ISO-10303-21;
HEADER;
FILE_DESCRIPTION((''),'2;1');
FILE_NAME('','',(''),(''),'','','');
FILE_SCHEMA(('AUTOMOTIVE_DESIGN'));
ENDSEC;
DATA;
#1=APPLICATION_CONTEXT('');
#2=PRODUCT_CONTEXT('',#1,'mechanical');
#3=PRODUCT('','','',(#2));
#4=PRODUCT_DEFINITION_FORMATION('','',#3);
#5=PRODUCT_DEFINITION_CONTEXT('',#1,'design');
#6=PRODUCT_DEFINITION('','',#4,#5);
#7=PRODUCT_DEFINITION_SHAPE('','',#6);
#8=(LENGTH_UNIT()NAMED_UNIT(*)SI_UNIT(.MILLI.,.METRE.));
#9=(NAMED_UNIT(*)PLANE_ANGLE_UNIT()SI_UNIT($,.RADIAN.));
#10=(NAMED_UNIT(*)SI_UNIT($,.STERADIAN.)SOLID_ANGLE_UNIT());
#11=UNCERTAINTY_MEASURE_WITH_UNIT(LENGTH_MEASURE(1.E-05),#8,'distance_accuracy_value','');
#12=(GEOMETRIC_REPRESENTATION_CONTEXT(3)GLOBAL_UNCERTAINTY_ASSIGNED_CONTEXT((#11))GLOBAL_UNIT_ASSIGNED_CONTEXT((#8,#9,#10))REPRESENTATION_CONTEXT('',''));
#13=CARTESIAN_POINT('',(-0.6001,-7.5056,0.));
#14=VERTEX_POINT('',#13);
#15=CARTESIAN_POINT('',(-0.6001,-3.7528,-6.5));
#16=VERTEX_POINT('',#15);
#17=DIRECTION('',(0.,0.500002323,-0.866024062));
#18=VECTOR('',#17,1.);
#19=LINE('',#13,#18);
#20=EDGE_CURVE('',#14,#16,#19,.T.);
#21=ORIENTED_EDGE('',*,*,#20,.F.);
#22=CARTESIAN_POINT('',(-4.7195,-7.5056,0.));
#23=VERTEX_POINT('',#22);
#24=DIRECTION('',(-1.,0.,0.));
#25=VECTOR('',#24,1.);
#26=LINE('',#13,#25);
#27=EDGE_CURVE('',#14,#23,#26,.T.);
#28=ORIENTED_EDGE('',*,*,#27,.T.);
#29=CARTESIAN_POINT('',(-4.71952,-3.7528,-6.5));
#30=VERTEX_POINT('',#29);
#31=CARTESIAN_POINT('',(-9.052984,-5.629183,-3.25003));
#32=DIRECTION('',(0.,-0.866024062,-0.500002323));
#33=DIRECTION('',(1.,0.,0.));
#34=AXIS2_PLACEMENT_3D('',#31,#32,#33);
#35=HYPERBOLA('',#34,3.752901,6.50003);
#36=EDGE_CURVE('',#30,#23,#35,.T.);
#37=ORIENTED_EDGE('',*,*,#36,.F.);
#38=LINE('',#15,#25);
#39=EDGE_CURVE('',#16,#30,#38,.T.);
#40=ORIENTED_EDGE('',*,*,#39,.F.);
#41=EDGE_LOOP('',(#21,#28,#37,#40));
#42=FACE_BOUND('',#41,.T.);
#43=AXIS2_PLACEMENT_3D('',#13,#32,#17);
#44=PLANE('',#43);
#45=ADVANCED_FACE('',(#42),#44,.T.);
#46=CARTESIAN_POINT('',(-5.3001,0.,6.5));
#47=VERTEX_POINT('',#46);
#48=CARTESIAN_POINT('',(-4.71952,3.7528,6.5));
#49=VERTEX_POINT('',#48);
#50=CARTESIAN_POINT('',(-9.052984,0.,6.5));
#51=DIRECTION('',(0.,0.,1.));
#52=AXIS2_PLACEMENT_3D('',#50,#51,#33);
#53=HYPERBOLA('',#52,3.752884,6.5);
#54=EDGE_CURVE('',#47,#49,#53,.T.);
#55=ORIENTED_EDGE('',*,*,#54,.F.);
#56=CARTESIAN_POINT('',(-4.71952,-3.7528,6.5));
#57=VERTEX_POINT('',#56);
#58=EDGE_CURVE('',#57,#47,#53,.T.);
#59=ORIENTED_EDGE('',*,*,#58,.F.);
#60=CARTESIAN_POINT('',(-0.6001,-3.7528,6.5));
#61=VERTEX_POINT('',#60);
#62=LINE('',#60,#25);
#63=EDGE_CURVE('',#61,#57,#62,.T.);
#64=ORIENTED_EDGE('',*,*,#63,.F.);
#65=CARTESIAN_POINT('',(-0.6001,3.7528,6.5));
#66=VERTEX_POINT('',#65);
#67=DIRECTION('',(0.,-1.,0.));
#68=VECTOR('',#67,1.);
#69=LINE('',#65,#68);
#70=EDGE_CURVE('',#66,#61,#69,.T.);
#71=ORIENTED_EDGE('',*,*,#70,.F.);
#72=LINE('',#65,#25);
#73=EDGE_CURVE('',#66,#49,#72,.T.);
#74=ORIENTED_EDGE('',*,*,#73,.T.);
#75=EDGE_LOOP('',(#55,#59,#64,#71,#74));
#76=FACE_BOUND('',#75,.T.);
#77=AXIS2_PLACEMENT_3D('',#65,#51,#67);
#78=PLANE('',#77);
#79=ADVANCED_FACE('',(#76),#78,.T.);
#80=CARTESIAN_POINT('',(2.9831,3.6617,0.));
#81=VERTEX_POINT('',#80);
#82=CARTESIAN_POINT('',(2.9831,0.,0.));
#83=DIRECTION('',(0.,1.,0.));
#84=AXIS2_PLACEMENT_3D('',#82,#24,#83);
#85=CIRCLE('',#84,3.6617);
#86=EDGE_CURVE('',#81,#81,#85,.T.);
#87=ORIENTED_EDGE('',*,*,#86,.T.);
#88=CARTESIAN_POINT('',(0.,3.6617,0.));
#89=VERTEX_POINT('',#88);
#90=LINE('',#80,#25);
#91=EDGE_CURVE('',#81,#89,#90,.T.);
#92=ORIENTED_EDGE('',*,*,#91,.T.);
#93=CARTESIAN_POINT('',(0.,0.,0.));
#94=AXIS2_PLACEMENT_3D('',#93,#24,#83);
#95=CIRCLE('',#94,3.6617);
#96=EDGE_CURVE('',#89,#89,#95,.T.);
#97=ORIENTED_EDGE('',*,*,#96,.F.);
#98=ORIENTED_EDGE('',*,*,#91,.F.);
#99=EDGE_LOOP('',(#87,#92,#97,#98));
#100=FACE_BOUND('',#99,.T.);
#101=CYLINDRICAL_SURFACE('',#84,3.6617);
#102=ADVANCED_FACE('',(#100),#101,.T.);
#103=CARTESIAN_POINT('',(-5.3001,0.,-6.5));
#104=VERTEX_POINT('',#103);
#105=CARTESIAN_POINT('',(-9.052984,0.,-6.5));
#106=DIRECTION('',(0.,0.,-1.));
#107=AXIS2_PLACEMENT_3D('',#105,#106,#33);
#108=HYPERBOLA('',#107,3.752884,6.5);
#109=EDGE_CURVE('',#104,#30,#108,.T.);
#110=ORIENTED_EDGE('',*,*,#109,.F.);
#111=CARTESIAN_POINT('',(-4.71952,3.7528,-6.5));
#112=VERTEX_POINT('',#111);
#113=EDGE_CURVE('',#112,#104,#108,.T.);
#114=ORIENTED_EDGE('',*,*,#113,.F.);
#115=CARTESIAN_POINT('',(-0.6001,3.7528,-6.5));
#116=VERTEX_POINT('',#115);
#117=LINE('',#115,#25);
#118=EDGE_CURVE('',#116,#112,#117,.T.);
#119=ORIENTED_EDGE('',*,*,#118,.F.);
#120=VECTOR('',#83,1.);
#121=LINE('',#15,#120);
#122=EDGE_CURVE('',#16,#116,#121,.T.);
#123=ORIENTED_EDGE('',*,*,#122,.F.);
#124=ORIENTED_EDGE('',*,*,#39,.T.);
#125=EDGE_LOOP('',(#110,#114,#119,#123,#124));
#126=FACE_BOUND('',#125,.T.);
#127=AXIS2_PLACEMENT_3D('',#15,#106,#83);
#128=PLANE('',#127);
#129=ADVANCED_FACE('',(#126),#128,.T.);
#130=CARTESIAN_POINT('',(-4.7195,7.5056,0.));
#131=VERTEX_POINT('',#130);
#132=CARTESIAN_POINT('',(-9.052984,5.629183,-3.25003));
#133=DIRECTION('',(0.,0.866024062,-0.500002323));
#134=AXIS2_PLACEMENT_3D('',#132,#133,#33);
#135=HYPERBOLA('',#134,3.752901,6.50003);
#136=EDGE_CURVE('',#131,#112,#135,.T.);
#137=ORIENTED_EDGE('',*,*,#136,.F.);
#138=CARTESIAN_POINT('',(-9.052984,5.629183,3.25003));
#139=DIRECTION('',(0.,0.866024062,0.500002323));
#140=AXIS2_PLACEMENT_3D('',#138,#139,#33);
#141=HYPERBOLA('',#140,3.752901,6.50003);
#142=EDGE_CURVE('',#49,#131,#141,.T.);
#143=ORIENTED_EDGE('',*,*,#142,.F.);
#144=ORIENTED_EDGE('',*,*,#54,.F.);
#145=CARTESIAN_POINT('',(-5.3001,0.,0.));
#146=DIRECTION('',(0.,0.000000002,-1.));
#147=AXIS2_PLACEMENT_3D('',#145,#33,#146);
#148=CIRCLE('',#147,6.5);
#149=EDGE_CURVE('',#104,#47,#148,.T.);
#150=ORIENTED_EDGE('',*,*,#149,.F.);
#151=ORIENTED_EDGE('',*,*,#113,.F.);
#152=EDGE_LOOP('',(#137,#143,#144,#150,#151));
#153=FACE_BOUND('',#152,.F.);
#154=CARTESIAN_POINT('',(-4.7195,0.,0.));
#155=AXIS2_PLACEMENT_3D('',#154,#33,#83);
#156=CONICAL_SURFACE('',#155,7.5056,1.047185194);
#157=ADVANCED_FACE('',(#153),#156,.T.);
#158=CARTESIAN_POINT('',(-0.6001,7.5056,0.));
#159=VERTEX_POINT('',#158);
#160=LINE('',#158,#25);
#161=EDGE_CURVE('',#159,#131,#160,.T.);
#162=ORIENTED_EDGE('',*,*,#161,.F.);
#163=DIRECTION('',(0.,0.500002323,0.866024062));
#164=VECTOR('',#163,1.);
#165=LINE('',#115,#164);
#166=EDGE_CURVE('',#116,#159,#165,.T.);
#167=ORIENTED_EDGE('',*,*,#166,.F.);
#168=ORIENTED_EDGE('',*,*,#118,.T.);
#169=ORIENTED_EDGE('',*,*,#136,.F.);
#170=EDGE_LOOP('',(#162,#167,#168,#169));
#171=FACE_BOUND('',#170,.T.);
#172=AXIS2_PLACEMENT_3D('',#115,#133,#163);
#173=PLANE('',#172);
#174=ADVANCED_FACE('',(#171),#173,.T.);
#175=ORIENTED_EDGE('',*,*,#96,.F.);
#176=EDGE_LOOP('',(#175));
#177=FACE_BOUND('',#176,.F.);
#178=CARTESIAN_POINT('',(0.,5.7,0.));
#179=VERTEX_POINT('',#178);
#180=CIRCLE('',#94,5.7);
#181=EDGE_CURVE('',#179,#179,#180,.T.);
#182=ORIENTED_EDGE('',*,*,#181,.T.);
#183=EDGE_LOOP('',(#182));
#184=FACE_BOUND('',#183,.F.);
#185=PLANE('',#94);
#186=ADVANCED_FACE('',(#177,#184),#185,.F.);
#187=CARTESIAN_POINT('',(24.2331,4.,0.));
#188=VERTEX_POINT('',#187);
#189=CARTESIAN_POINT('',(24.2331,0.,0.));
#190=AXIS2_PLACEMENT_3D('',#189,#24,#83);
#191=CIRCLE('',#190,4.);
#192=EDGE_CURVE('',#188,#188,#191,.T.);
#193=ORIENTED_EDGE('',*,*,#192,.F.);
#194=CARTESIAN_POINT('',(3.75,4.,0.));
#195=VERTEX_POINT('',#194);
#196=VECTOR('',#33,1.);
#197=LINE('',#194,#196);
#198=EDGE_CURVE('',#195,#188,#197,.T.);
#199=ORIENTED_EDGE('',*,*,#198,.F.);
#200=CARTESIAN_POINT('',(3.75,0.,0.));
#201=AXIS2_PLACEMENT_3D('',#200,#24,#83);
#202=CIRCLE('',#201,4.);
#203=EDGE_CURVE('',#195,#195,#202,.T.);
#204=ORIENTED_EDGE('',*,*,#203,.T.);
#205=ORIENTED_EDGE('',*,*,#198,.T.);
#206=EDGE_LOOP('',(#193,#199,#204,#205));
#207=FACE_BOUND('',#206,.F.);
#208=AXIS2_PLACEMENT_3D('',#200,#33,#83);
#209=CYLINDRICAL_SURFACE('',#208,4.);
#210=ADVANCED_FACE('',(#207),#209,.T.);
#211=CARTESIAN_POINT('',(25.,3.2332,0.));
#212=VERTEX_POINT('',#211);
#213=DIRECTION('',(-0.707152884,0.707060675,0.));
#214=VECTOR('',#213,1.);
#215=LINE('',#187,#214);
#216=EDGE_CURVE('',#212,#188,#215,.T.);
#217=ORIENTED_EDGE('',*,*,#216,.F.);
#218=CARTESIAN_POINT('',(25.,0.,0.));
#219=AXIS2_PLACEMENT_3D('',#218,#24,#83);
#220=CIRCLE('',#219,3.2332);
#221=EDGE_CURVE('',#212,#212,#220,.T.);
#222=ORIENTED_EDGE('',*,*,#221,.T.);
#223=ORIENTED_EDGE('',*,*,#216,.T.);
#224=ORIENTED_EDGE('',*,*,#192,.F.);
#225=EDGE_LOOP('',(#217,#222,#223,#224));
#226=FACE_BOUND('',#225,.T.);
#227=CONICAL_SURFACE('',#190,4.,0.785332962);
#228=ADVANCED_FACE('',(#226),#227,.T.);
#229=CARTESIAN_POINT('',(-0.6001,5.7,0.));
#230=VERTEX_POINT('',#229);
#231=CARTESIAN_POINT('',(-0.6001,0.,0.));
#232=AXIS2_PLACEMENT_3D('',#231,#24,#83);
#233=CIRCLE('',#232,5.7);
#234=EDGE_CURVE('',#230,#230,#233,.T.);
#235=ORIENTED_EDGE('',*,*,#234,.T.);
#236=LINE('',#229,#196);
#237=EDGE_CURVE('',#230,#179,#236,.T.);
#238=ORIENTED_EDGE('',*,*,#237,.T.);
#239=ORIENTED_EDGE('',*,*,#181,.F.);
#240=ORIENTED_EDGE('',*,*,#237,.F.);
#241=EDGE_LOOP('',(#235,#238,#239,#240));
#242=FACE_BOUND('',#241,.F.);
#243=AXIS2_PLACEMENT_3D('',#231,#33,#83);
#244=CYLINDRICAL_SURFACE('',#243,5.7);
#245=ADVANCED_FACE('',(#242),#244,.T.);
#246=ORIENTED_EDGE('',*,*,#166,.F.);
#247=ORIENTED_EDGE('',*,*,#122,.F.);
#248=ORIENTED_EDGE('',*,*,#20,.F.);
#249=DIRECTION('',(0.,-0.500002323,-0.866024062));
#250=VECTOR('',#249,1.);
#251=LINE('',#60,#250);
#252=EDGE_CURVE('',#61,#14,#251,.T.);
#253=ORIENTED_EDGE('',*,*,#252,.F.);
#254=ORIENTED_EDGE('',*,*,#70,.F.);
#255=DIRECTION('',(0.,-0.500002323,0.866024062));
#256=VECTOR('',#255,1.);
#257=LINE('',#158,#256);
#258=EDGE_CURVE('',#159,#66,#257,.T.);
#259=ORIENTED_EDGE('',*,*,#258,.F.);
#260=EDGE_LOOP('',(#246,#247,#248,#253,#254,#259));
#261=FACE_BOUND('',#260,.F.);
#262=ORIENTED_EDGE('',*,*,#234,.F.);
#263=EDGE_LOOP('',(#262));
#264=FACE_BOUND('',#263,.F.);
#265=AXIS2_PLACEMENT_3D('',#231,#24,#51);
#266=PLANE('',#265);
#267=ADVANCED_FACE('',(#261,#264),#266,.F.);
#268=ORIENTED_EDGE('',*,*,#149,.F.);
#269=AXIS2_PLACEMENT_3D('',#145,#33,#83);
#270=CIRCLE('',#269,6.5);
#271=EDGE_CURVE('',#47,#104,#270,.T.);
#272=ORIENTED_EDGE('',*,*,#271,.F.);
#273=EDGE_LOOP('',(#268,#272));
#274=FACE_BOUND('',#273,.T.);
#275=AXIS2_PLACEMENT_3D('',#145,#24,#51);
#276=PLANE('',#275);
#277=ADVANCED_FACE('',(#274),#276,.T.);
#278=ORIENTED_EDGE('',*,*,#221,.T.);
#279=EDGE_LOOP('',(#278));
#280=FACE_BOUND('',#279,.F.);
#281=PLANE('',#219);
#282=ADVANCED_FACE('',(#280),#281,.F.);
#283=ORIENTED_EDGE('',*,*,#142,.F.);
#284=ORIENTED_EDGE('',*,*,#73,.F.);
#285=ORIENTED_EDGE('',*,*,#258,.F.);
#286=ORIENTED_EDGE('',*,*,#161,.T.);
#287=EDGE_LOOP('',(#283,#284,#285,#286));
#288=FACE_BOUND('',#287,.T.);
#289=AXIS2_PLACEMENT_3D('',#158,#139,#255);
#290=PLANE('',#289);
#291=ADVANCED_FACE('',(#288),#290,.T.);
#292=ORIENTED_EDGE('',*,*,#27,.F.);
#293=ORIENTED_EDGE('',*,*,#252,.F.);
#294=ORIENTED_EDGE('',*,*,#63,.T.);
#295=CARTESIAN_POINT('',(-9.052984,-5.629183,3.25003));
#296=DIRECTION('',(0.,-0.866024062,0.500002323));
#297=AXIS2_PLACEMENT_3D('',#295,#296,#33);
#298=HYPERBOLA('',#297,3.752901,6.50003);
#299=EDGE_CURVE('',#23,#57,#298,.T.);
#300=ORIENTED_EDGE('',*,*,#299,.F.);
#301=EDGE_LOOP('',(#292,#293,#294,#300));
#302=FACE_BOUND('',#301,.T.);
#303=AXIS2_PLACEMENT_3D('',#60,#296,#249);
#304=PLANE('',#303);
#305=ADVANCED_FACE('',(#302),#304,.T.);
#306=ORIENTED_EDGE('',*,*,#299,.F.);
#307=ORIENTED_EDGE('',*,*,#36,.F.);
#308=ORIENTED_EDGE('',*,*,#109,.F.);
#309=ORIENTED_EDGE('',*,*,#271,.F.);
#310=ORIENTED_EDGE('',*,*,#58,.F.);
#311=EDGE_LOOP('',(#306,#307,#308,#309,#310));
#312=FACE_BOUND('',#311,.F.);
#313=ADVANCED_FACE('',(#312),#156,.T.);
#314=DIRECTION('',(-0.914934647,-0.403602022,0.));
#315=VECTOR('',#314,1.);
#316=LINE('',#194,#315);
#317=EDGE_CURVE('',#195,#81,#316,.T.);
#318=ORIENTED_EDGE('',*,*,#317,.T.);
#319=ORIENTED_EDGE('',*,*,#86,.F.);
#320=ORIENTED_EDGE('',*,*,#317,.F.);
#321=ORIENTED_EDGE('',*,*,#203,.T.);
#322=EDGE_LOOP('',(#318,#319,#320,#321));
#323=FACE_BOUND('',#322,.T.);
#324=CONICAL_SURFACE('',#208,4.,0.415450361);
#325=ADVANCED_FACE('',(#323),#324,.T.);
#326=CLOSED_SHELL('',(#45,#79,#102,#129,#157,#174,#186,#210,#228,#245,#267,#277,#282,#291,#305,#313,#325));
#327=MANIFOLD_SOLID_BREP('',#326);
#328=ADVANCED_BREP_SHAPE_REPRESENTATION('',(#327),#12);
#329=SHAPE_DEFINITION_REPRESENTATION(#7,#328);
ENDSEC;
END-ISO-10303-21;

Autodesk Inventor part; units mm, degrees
ref_plane "YZ Plane" through (0, 0, 0) normal (1, 0, 0) x (0, 1, 0)
ref_plane "XZ Plane" through (0, 0, 0) normal (0, 1, 0) x (-1, 0, 0)
ref_plane "XY Plane" through (0, 0, 0) normal (0, 0, 1) x (1, 0, 0)
sketch "Skizze1" plane through (0, 0, 0) normal (0, 0, 1) x (1, 0, 0)
  line L0 (0, 5.7) -> (0, 3.6617)
  line L1 (3.75, 4) -> (25, 4)
  line L2 (25, 4) -> (25, 0)
  line L3 (25, 0) -> (-0.6001, 0)
  line L4 (-0.4751, 0) -> (2.675, 0) projected
  line L5 (-0.6001, 0) -> (-0.6001, 5.7)
  line L6 (-0.6001, 5.7) -> (0, 5.7)
  line L7 (3.75, 4) -> (2.9831, 3.6617)
  line L8 (2.9831, 3.6617) -> (0, 3.6617)
  line L9 (0, -0.1135) -> (0, 1.4755) projected
  dimension "d0" = 25
  dimension "d1" = 21.25
  dimension "d2" = 8
  dimension "d9" = 0.6001
  dimension "d10" = 11.4
  dimension "d13" = 0.7669
  dimension "d14" = 7.3234
revolve "Körper" add sketch "Skizze1" angle 360 about axis through (25, 0, 0) along (-1, 0, 0)
sketch "Skizze2" plane through (-0.6001, 0, 0) normal (-1, 0, 0) x (0, 0, 1)
  line L0 (0, 7.5056) -> (6.5, 3.7528)
  line L1 (6.5, 3.7528) -> (6.5, -3.7528)
  line L2 (6.5, -3.7528) -> (0, -7.5056)
  line L3 (0, -7.5056) -> (-6.5, -3.7528)
  line L4 (-6.5, -3.7528) -> (-6.5, 3.7528)
  line L5 (-6.5, 3.7528) -> (0, 7.5056)
  point P0 (0, 0)
  point P1 (0, 0)
  dimension "d11" = 13
extrude "Kopf" add sketch "Skizze2" along normal blind 4.7
sketch "Skizze4" plane through (0, 0, 0) normal (0, 0, 1) x (1, 0, 0)
  line L0 (-5.3001, 6.5) -> (-5.3001, 7.5056)
  line L1 (-5.3001, 7.5056) -> (-4.7195, 7.5056)
  line L2 (-4.7195, 7.5056) -> (-5.3001, 6.5)
  line L3 (-1.1851, 0) -> (0.0049, 0) projected
  line L4 (-0.6001, 7.5056) -> (-5.3001, 7.5056) projected
  line L5 (-5.3001, 3.7528) -> (-5.3001, 7.5056) projected
  dimension "d5" = 30
  dimension "d19" = 13
revolve "Fase1" cut sketch "Skizze4" angle 360 about axis through (-10, 0, 0) along (1, 0, 0)
thread "Gewinde" size "M1.6x0.35" class "6g" standard "ANSI Metric M Profile" length 21.25
chamfer "Fase2" distance 0.7668 distance2 0.7669 1 edges at (25, -4, 0) measured on face at (25, 0.998, -0.8842)
equation "\"d0\" = NLG"
equation "\"d1\" = GEL"
equation "\"d2\" = GD"
equation "\"d10\" = SD2"
equation "\"d14\" = BDM"
equation "\"d11\" = SW"
equation "\"d3\" = KOH - SD"
equation "\"d5\" = ANG1"
equation "\"d19\" = SW0"
equation "\"d15\" = GEL"
equation "\"d6\" = -0.5 * SPD + 0.5 * GD"
equation "\"NLG\" = 25"
equation "\"GD\" = NND"
equation "\"BDM\" = 7.32342"
equation "\"KOH\" = 5.3"
equation "\"GEL\" = 21.25"
equation "\"SW\" = 13"
equation "\"SW0\" = 13"
equation "\"SPD\" = NND - 1.2269 * TPU"
equation "\"SD2\" = 11.4"
equation "\"SD\" = 0.6"
equation "\"ANG1\" = 30deg"
equation "\"GAL\" = 0.61345 * TPU"
equation "\"GUL\" = 0.61345 * TPU"
equation "\"RR\" = 0.4"
equation "\"d20\" = -NLG"
equation "\"TOA\" = 30deg"
equation "\"PTC\" = TPU"
equation "\"GD1\" = THREADDIA - 1.2269 * TPU"
equation "\"TPU\" = 1.25"
equation "\"THREADDIA\" = 8"
equation "\"E0\" = 1.155 * SW"
equation "\"NND\" = 8"
properties part number "DIN 933 - M8  x 25"
